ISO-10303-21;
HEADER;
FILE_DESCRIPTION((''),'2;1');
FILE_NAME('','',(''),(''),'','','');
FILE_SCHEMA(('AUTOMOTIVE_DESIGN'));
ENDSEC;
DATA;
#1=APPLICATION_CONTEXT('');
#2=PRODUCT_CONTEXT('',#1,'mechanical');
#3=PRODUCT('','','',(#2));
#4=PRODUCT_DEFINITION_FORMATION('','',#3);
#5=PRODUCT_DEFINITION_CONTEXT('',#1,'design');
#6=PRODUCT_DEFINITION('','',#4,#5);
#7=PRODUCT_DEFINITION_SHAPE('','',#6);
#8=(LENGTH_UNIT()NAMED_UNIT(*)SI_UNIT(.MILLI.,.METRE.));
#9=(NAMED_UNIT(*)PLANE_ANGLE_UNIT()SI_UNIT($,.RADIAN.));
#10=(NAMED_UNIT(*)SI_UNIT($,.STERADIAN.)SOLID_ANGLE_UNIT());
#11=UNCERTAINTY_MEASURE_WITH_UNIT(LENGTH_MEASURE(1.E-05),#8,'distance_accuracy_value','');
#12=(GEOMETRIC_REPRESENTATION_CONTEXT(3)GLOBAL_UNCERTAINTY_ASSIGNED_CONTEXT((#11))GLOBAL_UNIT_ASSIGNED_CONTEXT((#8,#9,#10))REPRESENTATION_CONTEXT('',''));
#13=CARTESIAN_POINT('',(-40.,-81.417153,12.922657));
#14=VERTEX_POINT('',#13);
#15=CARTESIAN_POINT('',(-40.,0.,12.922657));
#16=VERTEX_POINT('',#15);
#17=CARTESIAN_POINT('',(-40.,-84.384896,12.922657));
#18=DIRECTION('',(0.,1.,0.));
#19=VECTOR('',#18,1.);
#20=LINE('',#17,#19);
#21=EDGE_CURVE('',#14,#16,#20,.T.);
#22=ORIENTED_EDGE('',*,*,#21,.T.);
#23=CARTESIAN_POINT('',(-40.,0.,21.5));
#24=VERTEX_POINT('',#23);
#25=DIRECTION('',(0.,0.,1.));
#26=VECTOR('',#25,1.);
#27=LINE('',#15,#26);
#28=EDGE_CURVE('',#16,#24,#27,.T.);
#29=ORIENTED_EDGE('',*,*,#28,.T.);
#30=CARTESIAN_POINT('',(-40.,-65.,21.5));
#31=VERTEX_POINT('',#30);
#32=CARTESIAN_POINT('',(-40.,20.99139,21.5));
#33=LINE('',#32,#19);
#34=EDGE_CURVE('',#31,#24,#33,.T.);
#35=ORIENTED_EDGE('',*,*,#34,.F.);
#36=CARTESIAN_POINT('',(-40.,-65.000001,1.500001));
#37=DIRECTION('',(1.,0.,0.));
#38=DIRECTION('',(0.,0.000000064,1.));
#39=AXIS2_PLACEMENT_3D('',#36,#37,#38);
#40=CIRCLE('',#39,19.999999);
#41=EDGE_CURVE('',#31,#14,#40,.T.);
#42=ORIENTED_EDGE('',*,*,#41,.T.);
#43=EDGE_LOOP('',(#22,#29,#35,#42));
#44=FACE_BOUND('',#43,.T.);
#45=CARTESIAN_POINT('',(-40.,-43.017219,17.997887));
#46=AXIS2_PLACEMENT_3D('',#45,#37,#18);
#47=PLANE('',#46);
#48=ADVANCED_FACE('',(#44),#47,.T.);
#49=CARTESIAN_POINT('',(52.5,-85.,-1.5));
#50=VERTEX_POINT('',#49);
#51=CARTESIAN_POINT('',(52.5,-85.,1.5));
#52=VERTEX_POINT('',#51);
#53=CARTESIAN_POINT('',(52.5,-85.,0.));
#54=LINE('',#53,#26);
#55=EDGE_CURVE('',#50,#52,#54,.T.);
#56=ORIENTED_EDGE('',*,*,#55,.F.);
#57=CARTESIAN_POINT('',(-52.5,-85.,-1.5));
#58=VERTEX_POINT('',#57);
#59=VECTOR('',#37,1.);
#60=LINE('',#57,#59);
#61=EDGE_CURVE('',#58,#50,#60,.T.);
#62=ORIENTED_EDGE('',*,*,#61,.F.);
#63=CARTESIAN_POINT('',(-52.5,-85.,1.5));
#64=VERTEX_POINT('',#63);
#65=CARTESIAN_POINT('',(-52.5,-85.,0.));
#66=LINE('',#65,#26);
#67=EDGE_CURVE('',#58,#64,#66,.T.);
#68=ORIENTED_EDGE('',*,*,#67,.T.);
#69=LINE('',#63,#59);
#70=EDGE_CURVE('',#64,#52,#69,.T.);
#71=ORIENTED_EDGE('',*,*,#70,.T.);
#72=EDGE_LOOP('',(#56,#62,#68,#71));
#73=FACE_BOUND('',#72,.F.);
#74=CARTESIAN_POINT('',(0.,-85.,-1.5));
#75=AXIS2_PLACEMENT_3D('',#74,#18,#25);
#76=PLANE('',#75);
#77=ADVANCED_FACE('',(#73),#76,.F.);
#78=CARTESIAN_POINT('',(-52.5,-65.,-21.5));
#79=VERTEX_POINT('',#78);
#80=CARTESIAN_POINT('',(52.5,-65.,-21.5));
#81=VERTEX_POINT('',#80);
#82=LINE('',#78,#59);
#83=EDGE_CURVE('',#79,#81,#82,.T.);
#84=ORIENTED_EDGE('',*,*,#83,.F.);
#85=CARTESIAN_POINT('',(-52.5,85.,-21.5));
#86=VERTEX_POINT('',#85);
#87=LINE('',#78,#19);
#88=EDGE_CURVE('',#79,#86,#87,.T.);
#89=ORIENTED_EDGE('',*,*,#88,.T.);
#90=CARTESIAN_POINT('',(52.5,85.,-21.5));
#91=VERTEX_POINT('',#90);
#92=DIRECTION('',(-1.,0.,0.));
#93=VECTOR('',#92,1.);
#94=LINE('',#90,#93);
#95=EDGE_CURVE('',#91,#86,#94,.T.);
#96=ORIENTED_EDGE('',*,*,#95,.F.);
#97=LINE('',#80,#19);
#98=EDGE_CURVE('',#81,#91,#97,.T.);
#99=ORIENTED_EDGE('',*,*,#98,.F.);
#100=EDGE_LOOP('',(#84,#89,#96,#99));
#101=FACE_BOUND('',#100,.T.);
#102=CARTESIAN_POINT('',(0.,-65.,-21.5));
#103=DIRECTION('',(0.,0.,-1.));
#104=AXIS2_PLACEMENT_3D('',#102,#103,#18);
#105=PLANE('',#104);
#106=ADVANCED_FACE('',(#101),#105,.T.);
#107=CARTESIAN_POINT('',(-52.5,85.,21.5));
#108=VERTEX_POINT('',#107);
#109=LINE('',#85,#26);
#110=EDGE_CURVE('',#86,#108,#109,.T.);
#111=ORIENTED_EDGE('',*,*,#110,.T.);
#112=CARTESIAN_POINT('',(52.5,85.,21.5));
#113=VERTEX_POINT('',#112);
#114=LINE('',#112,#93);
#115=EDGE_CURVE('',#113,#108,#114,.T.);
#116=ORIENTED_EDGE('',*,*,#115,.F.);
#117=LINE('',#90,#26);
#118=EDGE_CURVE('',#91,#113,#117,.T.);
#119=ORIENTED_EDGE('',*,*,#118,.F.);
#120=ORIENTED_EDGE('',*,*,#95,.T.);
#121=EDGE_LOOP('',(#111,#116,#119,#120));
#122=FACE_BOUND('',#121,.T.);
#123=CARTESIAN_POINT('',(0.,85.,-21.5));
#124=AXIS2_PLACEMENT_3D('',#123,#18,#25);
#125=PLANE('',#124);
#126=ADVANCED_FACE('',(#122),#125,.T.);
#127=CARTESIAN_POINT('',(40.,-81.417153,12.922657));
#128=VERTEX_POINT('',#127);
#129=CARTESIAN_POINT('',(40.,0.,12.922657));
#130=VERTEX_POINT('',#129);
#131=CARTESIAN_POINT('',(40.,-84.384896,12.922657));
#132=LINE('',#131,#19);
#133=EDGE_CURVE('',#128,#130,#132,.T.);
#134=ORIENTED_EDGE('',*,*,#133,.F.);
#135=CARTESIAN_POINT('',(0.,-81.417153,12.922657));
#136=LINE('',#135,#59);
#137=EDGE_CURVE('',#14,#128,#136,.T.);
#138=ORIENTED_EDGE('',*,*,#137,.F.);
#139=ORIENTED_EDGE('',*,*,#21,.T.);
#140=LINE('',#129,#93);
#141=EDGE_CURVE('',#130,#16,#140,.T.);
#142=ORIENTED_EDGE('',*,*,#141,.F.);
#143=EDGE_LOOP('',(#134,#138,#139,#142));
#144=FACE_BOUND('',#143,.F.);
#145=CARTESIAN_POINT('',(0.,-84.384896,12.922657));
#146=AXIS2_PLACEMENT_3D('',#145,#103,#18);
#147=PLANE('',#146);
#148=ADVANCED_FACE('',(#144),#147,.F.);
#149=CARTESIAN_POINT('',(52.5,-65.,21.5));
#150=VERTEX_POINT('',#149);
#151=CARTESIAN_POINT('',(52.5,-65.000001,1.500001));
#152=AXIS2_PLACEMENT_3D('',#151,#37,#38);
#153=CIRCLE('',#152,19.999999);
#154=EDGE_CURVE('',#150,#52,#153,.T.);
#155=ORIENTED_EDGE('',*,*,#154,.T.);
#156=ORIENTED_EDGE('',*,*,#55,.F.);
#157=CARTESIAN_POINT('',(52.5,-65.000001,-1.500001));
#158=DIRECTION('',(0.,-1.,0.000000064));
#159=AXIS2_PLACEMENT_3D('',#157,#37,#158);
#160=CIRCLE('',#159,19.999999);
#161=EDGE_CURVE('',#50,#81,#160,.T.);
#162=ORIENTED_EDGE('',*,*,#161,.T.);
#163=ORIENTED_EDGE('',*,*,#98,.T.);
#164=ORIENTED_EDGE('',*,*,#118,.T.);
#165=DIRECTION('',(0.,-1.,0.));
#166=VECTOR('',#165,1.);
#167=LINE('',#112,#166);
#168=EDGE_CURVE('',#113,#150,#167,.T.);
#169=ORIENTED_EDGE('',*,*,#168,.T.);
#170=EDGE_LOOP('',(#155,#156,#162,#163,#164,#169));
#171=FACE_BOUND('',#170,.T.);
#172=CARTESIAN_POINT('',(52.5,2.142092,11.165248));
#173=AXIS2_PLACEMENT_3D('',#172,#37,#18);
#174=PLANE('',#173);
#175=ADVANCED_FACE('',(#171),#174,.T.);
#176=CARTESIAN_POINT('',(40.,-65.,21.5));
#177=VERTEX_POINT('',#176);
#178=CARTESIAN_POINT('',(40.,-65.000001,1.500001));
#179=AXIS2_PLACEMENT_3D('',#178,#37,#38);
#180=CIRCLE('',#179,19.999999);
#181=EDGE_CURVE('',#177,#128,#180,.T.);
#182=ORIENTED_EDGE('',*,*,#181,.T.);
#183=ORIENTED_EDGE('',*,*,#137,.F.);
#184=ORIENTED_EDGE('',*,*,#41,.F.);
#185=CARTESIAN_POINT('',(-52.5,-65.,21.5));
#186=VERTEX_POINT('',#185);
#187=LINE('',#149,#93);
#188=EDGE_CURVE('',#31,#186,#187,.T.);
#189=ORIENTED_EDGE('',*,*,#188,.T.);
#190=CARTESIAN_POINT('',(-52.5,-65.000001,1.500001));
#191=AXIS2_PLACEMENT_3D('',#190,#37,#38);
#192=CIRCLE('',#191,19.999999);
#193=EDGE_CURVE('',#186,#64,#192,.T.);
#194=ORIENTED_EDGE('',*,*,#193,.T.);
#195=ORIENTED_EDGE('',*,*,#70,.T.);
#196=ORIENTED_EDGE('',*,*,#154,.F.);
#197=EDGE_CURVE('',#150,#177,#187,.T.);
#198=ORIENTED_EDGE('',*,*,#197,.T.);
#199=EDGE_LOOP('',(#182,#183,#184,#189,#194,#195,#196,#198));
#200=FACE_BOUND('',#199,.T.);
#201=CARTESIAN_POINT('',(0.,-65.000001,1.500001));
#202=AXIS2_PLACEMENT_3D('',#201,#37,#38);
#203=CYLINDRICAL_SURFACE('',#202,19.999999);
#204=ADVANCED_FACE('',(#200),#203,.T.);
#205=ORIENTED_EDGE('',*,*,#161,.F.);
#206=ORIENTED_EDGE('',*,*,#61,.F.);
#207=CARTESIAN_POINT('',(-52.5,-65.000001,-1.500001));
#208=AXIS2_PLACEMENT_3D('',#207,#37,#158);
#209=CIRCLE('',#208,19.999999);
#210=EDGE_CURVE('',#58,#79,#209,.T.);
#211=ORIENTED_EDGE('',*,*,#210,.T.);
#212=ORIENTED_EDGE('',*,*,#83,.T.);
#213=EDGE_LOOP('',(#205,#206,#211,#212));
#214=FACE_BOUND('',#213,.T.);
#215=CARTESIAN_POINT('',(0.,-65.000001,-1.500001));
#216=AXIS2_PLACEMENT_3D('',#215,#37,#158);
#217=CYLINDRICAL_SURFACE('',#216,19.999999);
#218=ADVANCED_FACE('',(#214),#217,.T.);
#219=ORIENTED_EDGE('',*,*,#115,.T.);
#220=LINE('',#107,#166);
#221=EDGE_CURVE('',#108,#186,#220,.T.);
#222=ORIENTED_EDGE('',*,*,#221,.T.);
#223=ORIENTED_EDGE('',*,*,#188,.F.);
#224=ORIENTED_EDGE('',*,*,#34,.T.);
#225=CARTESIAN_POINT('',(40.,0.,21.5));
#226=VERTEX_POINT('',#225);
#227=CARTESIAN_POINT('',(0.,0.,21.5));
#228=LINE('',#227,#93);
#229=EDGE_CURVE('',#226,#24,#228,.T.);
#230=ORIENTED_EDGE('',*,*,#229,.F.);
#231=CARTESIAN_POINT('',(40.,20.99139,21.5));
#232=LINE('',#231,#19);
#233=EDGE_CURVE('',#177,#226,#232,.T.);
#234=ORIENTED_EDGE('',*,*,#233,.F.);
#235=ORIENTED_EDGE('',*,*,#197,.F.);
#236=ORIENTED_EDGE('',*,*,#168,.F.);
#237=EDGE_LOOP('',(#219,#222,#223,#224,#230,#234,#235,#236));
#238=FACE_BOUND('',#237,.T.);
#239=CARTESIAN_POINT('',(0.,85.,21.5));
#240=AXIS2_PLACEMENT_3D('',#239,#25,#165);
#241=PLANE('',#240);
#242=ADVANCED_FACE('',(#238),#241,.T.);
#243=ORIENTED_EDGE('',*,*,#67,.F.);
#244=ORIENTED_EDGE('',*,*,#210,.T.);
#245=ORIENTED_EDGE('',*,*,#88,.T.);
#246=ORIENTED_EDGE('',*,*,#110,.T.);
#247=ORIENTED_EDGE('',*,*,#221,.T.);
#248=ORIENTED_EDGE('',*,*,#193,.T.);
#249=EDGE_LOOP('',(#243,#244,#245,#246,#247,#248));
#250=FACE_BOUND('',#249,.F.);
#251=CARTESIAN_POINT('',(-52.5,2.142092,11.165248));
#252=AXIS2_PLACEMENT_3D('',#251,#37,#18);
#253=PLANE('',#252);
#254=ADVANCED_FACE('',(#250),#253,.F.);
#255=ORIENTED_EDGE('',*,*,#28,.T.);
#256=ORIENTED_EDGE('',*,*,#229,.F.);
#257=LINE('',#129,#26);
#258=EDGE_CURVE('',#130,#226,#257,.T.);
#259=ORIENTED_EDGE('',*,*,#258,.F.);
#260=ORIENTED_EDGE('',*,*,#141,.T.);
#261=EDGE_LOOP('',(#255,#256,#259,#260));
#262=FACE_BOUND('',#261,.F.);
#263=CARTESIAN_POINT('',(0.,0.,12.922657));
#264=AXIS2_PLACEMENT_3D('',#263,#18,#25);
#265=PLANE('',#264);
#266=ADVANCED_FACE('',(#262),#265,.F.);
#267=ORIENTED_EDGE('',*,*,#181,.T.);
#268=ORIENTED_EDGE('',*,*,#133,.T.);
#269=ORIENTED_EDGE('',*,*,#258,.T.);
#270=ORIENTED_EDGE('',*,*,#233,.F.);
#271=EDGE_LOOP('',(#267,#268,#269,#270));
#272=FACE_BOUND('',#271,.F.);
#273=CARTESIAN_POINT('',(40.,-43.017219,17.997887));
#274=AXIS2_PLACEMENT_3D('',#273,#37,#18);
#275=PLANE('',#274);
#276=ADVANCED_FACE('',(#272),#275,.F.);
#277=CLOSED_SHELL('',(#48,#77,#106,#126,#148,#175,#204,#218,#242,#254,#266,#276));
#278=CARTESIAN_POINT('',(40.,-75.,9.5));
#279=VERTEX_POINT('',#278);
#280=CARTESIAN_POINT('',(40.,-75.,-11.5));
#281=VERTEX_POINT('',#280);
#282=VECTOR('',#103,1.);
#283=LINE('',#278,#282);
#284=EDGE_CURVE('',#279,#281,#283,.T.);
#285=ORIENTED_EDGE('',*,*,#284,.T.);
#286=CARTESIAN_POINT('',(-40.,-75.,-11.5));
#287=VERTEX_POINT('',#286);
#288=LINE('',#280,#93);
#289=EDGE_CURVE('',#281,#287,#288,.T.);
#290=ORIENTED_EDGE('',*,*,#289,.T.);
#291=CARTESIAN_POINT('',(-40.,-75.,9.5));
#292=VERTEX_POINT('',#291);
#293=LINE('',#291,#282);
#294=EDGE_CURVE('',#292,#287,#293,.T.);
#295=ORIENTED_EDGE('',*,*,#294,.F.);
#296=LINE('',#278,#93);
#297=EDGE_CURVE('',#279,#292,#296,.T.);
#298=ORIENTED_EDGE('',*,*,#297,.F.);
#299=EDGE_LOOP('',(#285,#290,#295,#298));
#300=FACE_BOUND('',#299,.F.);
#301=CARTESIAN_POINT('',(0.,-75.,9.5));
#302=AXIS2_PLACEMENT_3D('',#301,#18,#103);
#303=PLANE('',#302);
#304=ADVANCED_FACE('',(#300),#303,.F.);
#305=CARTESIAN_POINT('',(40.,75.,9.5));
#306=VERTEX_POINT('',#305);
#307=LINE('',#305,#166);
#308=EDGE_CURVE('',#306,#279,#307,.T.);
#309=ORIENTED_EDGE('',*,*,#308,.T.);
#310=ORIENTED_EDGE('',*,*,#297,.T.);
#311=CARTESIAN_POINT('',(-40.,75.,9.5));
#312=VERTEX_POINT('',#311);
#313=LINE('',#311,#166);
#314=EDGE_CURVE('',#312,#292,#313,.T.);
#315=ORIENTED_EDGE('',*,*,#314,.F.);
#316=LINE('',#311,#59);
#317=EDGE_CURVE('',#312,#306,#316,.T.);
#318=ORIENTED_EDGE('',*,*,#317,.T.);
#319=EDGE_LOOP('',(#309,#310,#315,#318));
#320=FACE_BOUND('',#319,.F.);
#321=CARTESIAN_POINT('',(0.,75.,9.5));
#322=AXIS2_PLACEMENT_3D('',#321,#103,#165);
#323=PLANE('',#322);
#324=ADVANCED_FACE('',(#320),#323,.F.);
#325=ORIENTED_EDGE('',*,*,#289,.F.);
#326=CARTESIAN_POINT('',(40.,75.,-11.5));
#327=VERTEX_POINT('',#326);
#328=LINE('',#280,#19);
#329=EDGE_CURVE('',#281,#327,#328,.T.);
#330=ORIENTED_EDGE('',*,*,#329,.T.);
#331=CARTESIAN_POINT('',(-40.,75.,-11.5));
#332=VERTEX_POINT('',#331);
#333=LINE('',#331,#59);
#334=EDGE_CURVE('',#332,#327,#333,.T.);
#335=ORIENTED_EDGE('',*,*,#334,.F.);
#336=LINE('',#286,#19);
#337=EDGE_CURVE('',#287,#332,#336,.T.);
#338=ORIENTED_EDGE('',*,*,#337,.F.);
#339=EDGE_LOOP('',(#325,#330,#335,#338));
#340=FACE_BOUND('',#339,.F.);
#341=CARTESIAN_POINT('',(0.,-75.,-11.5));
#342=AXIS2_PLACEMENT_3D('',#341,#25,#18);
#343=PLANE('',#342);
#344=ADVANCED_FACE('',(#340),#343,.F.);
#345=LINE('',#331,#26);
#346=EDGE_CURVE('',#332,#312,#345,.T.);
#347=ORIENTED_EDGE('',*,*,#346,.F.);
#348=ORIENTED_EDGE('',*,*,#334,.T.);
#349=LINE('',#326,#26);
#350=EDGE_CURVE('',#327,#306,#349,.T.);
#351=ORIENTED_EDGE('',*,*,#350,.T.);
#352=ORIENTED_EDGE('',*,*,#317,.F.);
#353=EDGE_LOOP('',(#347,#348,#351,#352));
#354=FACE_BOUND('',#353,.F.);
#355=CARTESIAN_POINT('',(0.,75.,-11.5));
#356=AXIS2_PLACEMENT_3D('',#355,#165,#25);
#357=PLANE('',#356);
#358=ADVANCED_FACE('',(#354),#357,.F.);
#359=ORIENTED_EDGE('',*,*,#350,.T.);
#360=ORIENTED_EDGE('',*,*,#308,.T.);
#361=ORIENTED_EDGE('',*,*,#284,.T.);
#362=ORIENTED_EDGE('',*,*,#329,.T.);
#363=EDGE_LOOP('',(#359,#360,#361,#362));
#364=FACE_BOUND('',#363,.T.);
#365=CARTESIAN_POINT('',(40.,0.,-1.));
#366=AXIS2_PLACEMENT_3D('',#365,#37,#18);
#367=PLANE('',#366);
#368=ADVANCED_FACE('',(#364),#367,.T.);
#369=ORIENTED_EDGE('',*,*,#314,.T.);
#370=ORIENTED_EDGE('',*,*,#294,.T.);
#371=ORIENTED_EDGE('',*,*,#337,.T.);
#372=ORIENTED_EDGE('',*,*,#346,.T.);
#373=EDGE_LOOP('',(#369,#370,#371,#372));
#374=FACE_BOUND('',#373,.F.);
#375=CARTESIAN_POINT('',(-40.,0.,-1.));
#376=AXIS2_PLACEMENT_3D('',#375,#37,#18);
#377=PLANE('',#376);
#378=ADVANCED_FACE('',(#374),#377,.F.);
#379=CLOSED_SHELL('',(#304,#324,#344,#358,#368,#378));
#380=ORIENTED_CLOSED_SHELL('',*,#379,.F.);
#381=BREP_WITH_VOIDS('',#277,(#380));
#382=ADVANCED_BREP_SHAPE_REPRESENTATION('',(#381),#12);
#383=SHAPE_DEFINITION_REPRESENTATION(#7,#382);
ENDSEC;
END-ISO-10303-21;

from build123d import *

# Parameters (mm, degrees)
F0_W     = 170
F0_H     = 3
F1_DEPTH = 52.5
F3_DEPTH = 40
F4_DEPTH = 40


with BuildPart() as f1:
    # F0 (on Right) → F1 (new body, symmetric)
    with BuildSketch(Plane.YZ):
        with BuildLine():
            ThreePointArc((-65, 21.5), (-79.142136, 15.642136), (-85, 1.5))
            Line((-85, 1.5), (85, 1.5))
            Line((85, 1.5), (85, 21.5))
            Line((85, 21.5), (-65, 21.5))
        make_face()
        with BuildLine():
            Line((85, -1.5), (-85, -1.5))
            ThreePointArc((-85, -1.5), (-79.142136, -15.642136), (-65, -21.5))
            Line((-65, -21.5), (85, -21.5))
            Line((85, -21.5), (85, -1.5))
        make_face()
        Rectangle(F0_W, F0_H)
    extrude(amount=F1_DEPTH, both=True)

    # F2 (on Right) → F3 (cut, symmetric)
    with BuildSketch(Plane.YZ):
        Polygon((0, 12.922657), (0, 22.922657), (-87.274782, 22.922657), (-84.384896, 12.922657), align=None)
    extrude(amount=F3_DEPTH, both=True, mode=Mode.SUBTRACT)

    # F2 (on Right) → F4 (cut, symmetric)
    with BuildSketch(Plane.YZ):
        Polygon((-75, -11.5), (75, -11.5), (75, 9.5), (-75, 9.5), (-75, 1.5), (-75, 0), (-75, -1.5), align=None)
        Polygon((0, 12.922657), (0, 22.922657), (-87.274782, 22.922657), (-84.384896, 12.922657), align=None)
    extrude(amount=F4_DEPTH, both=True, mode=Mode.SUBTRACT)


solid = f1.part
